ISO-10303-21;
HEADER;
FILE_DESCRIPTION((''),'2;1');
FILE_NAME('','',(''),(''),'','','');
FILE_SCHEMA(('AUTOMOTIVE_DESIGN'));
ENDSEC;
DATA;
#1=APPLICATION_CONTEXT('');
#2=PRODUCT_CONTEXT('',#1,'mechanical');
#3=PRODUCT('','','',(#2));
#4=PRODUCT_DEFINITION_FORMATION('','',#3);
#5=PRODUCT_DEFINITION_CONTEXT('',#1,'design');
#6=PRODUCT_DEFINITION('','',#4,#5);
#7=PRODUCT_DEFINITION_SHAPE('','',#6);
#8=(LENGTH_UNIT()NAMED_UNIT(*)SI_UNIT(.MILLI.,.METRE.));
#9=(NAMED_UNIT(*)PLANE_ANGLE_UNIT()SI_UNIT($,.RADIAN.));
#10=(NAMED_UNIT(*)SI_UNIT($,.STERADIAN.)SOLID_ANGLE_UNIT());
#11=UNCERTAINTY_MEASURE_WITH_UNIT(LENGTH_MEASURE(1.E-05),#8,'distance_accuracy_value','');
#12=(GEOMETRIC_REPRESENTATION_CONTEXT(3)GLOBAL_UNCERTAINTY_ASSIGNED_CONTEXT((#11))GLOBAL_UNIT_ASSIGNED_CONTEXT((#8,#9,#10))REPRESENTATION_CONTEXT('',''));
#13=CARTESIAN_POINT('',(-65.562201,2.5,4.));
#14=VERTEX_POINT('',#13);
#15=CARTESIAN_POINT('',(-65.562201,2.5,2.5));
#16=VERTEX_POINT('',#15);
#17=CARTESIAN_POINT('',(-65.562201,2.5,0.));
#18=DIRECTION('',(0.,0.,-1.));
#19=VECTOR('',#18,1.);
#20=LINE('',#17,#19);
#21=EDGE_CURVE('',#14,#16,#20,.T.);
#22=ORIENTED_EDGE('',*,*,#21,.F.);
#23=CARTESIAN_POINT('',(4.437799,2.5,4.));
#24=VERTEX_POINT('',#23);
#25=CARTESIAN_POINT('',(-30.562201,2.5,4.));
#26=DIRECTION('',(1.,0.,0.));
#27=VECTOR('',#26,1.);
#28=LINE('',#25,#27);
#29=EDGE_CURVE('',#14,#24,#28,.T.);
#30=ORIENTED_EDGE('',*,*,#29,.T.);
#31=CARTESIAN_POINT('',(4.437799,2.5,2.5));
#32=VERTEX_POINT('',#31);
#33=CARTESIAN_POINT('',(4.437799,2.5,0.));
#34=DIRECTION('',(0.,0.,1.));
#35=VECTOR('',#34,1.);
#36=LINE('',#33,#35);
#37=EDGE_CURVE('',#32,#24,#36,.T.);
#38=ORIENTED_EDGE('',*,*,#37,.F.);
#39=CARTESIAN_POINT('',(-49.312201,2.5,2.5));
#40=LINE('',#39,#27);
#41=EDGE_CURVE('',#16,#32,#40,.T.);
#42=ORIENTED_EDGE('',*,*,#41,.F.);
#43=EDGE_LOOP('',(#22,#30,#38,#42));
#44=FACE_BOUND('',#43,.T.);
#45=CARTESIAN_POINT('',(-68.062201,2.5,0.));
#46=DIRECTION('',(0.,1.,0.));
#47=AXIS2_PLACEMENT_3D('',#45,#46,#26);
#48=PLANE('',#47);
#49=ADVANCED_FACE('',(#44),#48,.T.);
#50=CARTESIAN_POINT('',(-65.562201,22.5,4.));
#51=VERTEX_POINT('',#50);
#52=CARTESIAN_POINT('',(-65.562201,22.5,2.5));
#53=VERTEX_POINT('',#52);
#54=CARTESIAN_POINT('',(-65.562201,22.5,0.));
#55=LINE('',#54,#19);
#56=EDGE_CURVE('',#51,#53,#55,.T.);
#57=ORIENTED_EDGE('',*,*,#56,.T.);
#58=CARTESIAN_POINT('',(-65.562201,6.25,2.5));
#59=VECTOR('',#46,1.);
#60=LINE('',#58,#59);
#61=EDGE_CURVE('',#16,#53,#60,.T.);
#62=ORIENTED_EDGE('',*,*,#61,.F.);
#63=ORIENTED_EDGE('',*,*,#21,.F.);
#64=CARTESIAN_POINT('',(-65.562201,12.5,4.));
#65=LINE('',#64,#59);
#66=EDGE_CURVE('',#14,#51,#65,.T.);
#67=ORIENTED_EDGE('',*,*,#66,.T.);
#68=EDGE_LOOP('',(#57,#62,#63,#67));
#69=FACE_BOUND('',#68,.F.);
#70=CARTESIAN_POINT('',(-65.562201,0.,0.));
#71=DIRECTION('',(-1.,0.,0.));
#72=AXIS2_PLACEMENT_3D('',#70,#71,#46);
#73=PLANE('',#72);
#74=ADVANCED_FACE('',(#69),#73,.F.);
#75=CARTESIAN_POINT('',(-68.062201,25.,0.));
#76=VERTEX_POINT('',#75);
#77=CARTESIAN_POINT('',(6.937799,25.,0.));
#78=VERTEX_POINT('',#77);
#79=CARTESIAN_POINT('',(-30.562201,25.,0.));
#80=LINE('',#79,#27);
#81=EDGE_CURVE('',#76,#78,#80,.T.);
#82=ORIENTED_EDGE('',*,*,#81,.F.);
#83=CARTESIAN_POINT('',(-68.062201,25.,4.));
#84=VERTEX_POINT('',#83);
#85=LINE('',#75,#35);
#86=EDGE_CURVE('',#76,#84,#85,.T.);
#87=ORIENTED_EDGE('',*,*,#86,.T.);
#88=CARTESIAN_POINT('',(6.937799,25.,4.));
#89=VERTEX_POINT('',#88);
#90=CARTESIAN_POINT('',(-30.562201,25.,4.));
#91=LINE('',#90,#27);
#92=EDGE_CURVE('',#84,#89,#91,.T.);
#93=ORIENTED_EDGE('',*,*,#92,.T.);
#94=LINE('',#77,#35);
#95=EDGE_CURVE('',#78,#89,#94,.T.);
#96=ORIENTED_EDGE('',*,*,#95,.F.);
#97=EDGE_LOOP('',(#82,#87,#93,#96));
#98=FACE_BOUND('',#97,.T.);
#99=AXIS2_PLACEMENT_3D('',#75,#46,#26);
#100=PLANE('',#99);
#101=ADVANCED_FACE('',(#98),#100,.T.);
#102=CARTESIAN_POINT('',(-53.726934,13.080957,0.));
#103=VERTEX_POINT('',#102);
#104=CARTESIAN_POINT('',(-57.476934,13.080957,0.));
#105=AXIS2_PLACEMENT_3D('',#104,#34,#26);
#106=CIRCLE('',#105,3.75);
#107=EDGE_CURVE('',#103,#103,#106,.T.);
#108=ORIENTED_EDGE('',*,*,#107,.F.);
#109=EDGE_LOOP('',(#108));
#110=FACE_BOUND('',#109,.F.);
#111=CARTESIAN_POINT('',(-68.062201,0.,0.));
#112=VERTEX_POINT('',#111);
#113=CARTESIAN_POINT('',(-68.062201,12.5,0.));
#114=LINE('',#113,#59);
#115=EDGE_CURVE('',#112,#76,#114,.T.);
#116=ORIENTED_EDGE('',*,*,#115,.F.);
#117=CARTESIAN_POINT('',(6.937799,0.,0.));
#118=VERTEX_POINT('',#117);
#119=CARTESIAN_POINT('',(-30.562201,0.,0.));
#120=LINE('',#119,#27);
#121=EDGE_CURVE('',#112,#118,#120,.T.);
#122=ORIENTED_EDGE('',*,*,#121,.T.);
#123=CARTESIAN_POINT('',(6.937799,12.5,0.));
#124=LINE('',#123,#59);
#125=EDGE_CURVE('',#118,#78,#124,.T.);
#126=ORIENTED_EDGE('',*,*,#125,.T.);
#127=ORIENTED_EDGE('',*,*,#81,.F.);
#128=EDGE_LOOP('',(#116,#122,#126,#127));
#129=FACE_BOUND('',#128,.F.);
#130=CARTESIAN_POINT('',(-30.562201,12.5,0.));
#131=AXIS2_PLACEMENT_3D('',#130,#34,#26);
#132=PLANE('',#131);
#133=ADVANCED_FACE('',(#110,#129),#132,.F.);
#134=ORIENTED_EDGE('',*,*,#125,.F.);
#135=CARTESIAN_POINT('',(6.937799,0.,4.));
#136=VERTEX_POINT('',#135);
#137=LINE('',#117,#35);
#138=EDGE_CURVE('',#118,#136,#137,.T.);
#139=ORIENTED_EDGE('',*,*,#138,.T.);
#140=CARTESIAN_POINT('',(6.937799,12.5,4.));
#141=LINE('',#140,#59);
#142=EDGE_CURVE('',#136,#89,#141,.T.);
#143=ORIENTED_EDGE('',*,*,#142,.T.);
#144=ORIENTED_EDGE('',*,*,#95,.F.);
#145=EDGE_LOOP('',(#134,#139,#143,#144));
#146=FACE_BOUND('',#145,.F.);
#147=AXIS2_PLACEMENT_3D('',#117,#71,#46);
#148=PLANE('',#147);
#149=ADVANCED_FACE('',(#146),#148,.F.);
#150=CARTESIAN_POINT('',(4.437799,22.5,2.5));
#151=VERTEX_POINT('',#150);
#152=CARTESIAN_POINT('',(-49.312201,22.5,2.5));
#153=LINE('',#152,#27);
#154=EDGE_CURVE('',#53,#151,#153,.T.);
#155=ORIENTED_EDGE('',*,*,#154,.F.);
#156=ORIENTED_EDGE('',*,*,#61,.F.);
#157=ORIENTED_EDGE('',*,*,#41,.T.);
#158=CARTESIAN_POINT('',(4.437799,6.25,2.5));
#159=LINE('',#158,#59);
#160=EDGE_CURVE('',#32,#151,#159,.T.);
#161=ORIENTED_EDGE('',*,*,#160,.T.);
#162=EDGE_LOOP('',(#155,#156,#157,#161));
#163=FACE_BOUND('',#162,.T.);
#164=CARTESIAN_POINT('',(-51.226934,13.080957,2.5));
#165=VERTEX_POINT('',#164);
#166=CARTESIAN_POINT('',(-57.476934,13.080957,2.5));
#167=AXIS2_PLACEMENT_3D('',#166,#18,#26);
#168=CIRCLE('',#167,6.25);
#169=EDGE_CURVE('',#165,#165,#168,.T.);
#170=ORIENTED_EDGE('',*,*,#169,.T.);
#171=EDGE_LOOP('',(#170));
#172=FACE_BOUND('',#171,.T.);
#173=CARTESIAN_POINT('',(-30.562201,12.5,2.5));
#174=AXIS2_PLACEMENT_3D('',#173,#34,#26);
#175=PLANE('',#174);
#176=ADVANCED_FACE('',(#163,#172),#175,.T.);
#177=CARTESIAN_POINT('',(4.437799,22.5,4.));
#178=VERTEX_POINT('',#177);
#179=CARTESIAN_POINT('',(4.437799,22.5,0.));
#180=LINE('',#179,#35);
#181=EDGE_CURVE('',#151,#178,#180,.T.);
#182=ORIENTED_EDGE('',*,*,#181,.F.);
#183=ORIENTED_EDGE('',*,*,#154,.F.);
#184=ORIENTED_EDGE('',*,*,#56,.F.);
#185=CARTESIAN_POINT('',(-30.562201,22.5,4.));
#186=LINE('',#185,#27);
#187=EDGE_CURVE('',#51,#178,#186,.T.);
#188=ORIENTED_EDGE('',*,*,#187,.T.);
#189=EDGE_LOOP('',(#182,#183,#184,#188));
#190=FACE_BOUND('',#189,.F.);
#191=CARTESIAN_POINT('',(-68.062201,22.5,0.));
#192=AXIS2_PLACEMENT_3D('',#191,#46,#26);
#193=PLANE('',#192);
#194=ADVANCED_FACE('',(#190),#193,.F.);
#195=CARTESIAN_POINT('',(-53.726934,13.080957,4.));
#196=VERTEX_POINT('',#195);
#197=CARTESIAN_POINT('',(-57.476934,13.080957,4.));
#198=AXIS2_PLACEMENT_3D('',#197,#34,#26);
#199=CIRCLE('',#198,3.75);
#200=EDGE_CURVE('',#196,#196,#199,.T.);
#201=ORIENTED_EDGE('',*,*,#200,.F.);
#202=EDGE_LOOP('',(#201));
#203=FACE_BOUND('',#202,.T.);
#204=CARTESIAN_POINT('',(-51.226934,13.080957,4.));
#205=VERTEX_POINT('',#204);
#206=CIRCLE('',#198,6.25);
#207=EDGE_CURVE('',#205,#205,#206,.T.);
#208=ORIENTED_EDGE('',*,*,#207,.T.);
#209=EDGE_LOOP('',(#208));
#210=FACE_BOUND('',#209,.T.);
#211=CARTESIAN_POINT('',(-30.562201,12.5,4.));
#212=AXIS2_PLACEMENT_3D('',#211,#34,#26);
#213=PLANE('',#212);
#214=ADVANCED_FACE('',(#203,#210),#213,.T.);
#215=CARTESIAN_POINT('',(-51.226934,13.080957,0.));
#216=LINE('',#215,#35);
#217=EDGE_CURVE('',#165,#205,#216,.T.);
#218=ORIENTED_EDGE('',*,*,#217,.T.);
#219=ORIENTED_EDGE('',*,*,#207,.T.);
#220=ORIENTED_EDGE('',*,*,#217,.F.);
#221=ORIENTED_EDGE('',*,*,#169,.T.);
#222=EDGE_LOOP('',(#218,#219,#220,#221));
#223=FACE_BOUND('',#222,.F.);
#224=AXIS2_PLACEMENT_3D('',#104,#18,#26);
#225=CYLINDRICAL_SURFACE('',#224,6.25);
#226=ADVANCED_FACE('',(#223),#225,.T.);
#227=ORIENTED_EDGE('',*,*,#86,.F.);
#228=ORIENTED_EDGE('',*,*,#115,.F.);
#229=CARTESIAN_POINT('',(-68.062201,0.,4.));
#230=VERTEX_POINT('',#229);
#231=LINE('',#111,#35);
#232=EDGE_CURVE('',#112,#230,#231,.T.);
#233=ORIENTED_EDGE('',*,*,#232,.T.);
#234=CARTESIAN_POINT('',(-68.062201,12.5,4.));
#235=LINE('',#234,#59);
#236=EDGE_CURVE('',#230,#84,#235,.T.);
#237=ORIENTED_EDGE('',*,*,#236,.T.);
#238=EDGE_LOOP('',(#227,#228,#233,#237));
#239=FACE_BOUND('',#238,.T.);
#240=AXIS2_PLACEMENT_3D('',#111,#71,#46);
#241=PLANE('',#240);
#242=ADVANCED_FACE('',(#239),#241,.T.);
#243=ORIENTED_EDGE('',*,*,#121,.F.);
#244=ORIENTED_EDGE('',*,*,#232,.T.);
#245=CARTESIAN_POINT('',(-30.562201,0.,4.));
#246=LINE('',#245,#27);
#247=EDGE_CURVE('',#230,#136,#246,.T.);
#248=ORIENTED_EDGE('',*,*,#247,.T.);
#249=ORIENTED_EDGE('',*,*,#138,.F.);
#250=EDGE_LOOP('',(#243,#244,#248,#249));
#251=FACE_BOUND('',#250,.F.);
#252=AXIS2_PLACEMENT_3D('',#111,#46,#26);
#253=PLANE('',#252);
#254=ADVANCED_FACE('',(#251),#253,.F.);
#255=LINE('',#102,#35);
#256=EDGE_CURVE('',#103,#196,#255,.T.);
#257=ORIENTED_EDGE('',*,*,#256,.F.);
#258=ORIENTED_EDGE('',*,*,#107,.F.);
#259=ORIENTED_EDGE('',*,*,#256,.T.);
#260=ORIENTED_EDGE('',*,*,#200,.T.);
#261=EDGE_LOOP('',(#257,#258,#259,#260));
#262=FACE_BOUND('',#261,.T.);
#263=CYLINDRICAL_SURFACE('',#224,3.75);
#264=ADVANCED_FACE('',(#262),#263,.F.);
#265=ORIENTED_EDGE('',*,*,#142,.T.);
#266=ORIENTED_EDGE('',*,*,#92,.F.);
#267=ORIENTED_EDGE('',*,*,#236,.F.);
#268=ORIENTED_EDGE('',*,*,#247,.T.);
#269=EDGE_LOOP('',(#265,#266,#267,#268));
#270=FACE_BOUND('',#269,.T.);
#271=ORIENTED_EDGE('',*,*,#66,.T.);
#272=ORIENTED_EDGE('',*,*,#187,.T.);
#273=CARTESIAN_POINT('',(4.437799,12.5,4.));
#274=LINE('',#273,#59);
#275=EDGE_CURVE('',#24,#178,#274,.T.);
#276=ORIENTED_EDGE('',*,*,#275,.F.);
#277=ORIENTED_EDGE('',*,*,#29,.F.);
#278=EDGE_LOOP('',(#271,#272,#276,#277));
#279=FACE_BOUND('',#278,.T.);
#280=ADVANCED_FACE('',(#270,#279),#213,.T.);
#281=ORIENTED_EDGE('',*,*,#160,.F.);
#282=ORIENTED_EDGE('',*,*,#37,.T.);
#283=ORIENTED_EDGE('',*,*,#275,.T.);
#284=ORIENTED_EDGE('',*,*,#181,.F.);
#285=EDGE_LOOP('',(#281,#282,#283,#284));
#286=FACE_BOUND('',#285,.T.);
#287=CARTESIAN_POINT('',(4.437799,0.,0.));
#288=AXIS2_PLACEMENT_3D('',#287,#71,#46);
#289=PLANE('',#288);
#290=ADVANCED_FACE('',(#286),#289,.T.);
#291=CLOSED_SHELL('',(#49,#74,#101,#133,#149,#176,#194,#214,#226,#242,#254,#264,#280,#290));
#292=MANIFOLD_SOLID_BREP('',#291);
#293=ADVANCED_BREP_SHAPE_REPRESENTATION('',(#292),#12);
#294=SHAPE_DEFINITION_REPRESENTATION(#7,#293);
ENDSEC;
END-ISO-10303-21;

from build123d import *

# Parameters (mm, degrees)
F0_W     = 75
F0_H     = 25
F0_R     = 3.75
F1_DEPTH = 4
F2_T     = -2.5


with BuildPart() as f1:
    # F0 (on Top) → F1 (new body)
    with BuildSketch(Plane.XY):
        with Locations((-30.5622011423, 12.5)):
            Rectangle(F0_W, F0_H)
        with Locations((-57.4769340456, 13.0809573457)):
            Circle(F0_R, mode=Mode.SUBTRACT)
    extrude(amount=F1_DEPTH)

    # F2
    f2_openings = [f1.faces().sort_by_distance(p)[0] for p in [
        (-29.912735, 12.485981, 4),
    ]]
    offset(amount=F2_T, openings=f2_openings)


solid = f1.part
